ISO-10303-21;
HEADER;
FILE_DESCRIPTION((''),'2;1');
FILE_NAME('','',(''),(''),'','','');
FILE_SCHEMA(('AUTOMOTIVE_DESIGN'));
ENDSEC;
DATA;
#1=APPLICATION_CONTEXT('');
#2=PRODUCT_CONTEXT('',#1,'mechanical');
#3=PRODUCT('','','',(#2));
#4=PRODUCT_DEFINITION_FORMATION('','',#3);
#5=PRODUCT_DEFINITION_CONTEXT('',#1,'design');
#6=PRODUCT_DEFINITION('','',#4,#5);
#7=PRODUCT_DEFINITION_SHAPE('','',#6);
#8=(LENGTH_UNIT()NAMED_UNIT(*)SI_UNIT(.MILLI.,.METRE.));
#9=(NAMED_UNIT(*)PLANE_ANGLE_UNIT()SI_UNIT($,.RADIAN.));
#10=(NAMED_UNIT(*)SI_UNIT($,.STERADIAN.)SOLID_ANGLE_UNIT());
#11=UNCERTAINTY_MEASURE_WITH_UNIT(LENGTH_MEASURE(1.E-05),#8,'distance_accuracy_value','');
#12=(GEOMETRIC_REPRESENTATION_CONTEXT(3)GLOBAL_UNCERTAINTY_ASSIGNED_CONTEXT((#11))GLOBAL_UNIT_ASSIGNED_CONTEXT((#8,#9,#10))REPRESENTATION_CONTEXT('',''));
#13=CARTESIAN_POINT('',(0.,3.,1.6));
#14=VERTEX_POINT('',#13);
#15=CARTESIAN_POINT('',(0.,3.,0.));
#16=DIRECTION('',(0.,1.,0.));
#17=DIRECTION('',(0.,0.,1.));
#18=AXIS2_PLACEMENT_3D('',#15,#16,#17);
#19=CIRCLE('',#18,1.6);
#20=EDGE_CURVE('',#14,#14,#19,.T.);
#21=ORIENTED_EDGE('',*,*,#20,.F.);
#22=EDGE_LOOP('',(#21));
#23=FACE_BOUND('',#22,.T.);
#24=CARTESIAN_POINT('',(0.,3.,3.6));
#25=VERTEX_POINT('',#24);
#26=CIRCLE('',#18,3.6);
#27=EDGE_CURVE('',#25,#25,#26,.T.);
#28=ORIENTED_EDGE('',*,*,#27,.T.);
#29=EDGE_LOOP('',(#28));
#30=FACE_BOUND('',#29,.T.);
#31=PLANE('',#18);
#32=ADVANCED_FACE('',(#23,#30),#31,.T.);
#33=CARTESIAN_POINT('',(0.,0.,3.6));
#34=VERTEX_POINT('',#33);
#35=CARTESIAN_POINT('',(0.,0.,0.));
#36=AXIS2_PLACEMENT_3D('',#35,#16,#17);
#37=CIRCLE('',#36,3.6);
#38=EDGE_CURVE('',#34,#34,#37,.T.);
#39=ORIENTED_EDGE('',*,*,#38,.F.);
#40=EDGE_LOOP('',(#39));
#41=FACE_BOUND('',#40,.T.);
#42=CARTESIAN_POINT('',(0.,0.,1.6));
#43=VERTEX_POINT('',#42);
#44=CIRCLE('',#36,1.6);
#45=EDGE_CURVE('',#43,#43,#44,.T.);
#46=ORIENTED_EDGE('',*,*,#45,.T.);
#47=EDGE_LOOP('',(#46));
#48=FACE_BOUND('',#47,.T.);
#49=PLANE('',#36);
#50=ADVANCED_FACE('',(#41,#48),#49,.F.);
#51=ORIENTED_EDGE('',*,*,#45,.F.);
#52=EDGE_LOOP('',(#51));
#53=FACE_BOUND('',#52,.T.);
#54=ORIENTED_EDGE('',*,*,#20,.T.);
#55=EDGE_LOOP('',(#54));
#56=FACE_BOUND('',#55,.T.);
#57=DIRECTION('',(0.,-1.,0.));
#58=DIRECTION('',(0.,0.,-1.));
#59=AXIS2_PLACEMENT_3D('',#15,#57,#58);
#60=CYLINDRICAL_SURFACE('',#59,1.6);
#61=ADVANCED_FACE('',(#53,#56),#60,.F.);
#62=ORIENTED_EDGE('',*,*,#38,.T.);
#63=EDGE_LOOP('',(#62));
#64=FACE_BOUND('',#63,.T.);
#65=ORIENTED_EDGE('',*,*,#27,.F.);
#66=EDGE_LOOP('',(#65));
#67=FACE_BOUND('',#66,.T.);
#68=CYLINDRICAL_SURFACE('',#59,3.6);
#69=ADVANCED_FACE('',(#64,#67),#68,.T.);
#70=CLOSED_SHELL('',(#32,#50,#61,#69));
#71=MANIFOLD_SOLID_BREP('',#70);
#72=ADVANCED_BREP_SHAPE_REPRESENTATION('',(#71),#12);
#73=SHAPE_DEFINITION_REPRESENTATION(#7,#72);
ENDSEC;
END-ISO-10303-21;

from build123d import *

# Parameters (mm, degrees)
ESBO_O1_R                = 3.6
ESBO_O1_R_2              = 1.6
RESSALTO_EXTRUS_O1_DEPTH = 3


with BuildPart() as part:
    # Esboço1 → Ressalto-extrusão1 (new body)
    with BuildSketch(Plane(origin=(0, 0, 0), x_dir=(1, 0, 0), z_dir=(0, 1, 0))):
        with Locations(Location((0, 0, 0), (0, 0, 270))):
            Circle(ESBO_O1_R)
        with Locations(Location((0, 0, 0), (0, 0, 270))):
            Circle(ESBO_O1_R_2, mode=Mode.SUBTRACT)
    extrude(amount=RESSALTO_EXTRUS_O1_DEPTH)


solid = part.part
